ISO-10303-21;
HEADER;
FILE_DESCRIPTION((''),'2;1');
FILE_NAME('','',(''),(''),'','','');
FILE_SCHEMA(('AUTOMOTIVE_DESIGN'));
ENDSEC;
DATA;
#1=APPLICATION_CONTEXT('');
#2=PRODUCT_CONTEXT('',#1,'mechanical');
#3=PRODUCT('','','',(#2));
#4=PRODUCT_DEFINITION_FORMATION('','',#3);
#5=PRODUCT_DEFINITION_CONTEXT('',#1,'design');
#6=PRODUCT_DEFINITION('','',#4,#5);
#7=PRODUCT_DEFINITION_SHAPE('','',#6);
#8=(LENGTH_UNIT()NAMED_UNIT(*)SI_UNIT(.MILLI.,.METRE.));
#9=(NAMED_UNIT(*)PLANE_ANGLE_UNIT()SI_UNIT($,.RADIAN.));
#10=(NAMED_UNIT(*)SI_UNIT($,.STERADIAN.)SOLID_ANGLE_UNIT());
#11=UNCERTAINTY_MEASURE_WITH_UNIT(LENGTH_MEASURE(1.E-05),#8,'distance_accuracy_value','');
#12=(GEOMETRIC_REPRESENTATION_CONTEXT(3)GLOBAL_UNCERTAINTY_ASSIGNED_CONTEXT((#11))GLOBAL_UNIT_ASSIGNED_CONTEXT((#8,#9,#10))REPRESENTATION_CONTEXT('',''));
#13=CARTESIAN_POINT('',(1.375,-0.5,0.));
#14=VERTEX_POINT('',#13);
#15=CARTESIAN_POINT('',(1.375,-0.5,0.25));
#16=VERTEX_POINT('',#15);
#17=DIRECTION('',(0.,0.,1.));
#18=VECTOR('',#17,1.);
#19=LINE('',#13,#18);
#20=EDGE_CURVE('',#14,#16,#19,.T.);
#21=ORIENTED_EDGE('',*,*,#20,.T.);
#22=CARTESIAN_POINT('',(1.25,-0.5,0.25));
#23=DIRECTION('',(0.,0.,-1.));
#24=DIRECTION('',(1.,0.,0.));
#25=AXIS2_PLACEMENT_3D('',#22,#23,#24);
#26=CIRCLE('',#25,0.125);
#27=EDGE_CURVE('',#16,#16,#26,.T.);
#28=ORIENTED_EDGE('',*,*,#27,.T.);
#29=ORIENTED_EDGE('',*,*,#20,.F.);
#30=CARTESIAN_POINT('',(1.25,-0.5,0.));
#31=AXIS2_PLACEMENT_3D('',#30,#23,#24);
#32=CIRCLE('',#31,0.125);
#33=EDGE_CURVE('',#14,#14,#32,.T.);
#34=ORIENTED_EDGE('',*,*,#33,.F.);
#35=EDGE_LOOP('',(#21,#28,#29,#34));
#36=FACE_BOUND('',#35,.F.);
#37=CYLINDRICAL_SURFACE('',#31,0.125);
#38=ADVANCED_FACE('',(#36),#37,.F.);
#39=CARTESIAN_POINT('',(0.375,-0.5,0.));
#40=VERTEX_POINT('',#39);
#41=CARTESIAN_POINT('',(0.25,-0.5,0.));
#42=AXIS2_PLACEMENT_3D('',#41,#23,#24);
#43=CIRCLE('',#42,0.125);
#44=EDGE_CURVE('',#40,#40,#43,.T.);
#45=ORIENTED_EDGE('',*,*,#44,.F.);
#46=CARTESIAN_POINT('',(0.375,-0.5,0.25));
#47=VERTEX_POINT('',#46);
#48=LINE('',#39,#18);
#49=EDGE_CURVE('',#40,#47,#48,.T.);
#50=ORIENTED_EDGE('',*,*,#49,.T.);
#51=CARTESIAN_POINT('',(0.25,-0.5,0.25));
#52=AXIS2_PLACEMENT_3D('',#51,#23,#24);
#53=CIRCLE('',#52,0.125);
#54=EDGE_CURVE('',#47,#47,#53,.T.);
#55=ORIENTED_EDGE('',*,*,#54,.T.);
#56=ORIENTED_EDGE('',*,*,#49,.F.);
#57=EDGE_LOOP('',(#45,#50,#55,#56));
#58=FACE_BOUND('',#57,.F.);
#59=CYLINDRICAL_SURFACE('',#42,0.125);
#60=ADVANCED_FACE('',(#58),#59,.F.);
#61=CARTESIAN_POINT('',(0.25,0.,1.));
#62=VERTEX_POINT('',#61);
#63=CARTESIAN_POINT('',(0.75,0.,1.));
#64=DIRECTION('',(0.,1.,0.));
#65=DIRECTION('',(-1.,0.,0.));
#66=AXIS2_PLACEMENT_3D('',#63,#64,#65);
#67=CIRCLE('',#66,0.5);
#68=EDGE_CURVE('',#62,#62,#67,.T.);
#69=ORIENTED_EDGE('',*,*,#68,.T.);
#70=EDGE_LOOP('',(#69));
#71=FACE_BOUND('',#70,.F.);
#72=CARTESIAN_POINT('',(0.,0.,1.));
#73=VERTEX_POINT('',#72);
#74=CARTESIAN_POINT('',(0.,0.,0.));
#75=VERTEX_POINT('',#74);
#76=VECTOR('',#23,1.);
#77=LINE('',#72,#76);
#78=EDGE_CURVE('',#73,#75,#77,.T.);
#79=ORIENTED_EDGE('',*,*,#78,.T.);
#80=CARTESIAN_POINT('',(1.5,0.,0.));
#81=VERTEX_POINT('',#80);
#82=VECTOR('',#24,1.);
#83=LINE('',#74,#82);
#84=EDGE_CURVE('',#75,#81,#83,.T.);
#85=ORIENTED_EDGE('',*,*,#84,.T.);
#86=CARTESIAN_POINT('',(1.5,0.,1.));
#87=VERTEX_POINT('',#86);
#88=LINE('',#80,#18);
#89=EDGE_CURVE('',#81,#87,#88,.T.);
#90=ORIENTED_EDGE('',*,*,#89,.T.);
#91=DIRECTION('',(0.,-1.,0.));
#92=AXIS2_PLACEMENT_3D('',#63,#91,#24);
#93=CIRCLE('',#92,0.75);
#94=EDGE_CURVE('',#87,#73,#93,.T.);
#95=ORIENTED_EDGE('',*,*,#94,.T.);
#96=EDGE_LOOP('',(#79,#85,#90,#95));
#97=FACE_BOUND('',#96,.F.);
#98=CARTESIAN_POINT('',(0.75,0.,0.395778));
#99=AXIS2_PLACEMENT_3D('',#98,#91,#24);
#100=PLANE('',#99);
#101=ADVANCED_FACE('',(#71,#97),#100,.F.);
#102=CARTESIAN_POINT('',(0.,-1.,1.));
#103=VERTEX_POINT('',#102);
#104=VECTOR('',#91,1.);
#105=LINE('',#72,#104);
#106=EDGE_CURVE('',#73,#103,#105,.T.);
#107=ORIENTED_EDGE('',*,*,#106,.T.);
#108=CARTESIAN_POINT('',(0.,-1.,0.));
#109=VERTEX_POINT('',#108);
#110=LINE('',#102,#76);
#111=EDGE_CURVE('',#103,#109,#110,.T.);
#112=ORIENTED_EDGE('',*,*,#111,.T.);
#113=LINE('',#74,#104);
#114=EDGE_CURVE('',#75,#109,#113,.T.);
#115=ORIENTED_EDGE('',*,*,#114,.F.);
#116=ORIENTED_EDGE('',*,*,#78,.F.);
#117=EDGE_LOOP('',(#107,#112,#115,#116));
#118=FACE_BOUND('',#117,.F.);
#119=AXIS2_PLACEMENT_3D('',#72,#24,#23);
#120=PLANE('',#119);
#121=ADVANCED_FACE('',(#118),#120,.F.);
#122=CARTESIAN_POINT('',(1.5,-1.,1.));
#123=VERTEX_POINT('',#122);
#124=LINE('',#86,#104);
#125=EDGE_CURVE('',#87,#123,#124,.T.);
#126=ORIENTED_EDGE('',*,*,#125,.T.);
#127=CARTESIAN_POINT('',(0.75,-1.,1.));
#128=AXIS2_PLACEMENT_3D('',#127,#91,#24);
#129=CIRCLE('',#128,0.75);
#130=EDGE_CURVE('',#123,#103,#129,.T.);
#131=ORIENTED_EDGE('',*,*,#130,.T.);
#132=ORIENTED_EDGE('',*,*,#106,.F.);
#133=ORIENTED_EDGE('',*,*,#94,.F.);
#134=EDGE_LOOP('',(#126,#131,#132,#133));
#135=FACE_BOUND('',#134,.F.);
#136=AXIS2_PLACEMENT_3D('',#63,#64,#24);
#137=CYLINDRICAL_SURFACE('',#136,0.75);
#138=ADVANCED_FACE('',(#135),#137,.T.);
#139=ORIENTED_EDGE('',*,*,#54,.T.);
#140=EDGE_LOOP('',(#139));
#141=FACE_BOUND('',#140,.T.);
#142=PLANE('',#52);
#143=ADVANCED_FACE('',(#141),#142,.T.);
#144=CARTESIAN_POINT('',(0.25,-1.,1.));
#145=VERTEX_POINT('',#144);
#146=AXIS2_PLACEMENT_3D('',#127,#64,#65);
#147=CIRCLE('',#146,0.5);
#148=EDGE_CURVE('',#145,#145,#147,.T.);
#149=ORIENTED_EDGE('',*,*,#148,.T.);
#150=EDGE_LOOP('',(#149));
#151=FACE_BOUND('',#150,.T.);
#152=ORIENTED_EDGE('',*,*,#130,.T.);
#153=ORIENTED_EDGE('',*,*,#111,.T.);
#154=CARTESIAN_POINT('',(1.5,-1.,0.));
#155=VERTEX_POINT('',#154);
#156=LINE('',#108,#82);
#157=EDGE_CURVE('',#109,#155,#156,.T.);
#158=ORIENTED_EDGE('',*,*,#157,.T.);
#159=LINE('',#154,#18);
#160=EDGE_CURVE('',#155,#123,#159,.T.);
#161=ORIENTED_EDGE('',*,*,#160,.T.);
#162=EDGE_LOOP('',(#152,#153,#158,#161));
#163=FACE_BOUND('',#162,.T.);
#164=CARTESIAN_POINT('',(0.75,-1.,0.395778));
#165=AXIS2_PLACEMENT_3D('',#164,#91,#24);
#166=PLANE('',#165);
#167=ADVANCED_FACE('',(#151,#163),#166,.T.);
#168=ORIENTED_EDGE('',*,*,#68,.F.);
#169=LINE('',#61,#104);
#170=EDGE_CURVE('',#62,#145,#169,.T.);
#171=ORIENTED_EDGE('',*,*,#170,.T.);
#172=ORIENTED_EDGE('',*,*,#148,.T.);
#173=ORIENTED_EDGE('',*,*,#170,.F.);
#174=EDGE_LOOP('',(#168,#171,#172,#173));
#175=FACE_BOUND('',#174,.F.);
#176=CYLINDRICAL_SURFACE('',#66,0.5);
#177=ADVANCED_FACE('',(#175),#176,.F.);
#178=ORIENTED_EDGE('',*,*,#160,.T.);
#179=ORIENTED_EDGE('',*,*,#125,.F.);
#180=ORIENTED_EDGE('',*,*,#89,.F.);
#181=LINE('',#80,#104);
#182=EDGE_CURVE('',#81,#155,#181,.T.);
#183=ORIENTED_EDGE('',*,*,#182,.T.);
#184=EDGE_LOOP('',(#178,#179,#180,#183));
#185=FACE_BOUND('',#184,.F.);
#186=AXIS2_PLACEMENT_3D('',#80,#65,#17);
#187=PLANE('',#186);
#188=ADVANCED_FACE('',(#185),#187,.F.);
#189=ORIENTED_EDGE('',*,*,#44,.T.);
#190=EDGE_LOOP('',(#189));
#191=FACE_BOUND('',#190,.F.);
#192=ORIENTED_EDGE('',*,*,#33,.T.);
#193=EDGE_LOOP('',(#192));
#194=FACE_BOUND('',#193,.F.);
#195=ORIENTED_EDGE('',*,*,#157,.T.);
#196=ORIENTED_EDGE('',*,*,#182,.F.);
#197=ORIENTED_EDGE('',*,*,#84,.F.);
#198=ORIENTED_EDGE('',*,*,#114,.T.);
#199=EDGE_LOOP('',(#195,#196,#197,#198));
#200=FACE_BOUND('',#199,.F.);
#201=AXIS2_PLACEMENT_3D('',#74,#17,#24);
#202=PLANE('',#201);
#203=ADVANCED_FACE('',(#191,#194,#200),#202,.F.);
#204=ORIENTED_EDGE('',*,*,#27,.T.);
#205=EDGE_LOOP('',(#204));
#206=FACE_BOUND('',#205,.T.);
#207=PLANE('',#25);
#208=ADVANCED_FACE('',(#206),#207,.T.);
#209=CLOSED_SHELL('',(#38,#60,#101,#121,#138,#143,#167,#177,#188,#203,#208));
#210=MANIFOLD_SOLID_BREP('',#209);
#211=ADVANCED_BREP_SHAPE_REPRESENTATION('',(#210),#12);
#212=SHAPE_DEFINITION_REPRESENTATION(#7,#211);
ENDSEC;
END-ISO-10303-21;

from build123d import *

# Parameters (mm, degrees)
F1_DEPTH = 1
F2_R     = 0.125
F3_DEPTH = 0.25


with BuildPart() as f1:
    # F0 (on Front) → F1 (new body)
    with BuildSketch(Plane.XZ):
        with BuildLine():
            Line((0, 1), (0, 0))
            Line((0, 0), (1.5, 0))
            Line((1.5, 0), (1.5, 1))
            ThreePointArc((1.5, 1), (0.75, 0.25), (0, 1))
        make_face()
        with BuildLine():
            ThreePointArc((1.5, 1), (0.75, 1.75), (0, 1))
            Line((0, 1), (0.25, 1))
            ThreePointArc((0.25, 1), (0.75, 1.5), (1.25, 1))
            Line((1.25, 1), (1.5, 1))
        make_face()
        with BuildLine():
            Line((0.25, 1), (0, 1))
            ThreePointArc((0, 1), (0.75, 0.25), (1.5, 1))
            Line((1.5, 1), (1.25, 1))
            ThreePointArc((1.25, 1), (0.75, 0.5), (0.25, 1))
        make_face()
    extrude(amount=F1_DEPTH)

    # F2 (on face) → F3 (cut)
    with BuildSketch(Plane(origin=(0, 0, 0), x_dir=(1, 0, 0), z_dir=(0, 0, -1))):
        with Locations((1.25, 0.5)):
            Circle(F2_R)
        with Locations((0.25, 0.5)):
            Circle(F2_R)
    extrude(amount=-F3_DEPTH, mode=Mode.SUBTRACT)


solid = f1.part
